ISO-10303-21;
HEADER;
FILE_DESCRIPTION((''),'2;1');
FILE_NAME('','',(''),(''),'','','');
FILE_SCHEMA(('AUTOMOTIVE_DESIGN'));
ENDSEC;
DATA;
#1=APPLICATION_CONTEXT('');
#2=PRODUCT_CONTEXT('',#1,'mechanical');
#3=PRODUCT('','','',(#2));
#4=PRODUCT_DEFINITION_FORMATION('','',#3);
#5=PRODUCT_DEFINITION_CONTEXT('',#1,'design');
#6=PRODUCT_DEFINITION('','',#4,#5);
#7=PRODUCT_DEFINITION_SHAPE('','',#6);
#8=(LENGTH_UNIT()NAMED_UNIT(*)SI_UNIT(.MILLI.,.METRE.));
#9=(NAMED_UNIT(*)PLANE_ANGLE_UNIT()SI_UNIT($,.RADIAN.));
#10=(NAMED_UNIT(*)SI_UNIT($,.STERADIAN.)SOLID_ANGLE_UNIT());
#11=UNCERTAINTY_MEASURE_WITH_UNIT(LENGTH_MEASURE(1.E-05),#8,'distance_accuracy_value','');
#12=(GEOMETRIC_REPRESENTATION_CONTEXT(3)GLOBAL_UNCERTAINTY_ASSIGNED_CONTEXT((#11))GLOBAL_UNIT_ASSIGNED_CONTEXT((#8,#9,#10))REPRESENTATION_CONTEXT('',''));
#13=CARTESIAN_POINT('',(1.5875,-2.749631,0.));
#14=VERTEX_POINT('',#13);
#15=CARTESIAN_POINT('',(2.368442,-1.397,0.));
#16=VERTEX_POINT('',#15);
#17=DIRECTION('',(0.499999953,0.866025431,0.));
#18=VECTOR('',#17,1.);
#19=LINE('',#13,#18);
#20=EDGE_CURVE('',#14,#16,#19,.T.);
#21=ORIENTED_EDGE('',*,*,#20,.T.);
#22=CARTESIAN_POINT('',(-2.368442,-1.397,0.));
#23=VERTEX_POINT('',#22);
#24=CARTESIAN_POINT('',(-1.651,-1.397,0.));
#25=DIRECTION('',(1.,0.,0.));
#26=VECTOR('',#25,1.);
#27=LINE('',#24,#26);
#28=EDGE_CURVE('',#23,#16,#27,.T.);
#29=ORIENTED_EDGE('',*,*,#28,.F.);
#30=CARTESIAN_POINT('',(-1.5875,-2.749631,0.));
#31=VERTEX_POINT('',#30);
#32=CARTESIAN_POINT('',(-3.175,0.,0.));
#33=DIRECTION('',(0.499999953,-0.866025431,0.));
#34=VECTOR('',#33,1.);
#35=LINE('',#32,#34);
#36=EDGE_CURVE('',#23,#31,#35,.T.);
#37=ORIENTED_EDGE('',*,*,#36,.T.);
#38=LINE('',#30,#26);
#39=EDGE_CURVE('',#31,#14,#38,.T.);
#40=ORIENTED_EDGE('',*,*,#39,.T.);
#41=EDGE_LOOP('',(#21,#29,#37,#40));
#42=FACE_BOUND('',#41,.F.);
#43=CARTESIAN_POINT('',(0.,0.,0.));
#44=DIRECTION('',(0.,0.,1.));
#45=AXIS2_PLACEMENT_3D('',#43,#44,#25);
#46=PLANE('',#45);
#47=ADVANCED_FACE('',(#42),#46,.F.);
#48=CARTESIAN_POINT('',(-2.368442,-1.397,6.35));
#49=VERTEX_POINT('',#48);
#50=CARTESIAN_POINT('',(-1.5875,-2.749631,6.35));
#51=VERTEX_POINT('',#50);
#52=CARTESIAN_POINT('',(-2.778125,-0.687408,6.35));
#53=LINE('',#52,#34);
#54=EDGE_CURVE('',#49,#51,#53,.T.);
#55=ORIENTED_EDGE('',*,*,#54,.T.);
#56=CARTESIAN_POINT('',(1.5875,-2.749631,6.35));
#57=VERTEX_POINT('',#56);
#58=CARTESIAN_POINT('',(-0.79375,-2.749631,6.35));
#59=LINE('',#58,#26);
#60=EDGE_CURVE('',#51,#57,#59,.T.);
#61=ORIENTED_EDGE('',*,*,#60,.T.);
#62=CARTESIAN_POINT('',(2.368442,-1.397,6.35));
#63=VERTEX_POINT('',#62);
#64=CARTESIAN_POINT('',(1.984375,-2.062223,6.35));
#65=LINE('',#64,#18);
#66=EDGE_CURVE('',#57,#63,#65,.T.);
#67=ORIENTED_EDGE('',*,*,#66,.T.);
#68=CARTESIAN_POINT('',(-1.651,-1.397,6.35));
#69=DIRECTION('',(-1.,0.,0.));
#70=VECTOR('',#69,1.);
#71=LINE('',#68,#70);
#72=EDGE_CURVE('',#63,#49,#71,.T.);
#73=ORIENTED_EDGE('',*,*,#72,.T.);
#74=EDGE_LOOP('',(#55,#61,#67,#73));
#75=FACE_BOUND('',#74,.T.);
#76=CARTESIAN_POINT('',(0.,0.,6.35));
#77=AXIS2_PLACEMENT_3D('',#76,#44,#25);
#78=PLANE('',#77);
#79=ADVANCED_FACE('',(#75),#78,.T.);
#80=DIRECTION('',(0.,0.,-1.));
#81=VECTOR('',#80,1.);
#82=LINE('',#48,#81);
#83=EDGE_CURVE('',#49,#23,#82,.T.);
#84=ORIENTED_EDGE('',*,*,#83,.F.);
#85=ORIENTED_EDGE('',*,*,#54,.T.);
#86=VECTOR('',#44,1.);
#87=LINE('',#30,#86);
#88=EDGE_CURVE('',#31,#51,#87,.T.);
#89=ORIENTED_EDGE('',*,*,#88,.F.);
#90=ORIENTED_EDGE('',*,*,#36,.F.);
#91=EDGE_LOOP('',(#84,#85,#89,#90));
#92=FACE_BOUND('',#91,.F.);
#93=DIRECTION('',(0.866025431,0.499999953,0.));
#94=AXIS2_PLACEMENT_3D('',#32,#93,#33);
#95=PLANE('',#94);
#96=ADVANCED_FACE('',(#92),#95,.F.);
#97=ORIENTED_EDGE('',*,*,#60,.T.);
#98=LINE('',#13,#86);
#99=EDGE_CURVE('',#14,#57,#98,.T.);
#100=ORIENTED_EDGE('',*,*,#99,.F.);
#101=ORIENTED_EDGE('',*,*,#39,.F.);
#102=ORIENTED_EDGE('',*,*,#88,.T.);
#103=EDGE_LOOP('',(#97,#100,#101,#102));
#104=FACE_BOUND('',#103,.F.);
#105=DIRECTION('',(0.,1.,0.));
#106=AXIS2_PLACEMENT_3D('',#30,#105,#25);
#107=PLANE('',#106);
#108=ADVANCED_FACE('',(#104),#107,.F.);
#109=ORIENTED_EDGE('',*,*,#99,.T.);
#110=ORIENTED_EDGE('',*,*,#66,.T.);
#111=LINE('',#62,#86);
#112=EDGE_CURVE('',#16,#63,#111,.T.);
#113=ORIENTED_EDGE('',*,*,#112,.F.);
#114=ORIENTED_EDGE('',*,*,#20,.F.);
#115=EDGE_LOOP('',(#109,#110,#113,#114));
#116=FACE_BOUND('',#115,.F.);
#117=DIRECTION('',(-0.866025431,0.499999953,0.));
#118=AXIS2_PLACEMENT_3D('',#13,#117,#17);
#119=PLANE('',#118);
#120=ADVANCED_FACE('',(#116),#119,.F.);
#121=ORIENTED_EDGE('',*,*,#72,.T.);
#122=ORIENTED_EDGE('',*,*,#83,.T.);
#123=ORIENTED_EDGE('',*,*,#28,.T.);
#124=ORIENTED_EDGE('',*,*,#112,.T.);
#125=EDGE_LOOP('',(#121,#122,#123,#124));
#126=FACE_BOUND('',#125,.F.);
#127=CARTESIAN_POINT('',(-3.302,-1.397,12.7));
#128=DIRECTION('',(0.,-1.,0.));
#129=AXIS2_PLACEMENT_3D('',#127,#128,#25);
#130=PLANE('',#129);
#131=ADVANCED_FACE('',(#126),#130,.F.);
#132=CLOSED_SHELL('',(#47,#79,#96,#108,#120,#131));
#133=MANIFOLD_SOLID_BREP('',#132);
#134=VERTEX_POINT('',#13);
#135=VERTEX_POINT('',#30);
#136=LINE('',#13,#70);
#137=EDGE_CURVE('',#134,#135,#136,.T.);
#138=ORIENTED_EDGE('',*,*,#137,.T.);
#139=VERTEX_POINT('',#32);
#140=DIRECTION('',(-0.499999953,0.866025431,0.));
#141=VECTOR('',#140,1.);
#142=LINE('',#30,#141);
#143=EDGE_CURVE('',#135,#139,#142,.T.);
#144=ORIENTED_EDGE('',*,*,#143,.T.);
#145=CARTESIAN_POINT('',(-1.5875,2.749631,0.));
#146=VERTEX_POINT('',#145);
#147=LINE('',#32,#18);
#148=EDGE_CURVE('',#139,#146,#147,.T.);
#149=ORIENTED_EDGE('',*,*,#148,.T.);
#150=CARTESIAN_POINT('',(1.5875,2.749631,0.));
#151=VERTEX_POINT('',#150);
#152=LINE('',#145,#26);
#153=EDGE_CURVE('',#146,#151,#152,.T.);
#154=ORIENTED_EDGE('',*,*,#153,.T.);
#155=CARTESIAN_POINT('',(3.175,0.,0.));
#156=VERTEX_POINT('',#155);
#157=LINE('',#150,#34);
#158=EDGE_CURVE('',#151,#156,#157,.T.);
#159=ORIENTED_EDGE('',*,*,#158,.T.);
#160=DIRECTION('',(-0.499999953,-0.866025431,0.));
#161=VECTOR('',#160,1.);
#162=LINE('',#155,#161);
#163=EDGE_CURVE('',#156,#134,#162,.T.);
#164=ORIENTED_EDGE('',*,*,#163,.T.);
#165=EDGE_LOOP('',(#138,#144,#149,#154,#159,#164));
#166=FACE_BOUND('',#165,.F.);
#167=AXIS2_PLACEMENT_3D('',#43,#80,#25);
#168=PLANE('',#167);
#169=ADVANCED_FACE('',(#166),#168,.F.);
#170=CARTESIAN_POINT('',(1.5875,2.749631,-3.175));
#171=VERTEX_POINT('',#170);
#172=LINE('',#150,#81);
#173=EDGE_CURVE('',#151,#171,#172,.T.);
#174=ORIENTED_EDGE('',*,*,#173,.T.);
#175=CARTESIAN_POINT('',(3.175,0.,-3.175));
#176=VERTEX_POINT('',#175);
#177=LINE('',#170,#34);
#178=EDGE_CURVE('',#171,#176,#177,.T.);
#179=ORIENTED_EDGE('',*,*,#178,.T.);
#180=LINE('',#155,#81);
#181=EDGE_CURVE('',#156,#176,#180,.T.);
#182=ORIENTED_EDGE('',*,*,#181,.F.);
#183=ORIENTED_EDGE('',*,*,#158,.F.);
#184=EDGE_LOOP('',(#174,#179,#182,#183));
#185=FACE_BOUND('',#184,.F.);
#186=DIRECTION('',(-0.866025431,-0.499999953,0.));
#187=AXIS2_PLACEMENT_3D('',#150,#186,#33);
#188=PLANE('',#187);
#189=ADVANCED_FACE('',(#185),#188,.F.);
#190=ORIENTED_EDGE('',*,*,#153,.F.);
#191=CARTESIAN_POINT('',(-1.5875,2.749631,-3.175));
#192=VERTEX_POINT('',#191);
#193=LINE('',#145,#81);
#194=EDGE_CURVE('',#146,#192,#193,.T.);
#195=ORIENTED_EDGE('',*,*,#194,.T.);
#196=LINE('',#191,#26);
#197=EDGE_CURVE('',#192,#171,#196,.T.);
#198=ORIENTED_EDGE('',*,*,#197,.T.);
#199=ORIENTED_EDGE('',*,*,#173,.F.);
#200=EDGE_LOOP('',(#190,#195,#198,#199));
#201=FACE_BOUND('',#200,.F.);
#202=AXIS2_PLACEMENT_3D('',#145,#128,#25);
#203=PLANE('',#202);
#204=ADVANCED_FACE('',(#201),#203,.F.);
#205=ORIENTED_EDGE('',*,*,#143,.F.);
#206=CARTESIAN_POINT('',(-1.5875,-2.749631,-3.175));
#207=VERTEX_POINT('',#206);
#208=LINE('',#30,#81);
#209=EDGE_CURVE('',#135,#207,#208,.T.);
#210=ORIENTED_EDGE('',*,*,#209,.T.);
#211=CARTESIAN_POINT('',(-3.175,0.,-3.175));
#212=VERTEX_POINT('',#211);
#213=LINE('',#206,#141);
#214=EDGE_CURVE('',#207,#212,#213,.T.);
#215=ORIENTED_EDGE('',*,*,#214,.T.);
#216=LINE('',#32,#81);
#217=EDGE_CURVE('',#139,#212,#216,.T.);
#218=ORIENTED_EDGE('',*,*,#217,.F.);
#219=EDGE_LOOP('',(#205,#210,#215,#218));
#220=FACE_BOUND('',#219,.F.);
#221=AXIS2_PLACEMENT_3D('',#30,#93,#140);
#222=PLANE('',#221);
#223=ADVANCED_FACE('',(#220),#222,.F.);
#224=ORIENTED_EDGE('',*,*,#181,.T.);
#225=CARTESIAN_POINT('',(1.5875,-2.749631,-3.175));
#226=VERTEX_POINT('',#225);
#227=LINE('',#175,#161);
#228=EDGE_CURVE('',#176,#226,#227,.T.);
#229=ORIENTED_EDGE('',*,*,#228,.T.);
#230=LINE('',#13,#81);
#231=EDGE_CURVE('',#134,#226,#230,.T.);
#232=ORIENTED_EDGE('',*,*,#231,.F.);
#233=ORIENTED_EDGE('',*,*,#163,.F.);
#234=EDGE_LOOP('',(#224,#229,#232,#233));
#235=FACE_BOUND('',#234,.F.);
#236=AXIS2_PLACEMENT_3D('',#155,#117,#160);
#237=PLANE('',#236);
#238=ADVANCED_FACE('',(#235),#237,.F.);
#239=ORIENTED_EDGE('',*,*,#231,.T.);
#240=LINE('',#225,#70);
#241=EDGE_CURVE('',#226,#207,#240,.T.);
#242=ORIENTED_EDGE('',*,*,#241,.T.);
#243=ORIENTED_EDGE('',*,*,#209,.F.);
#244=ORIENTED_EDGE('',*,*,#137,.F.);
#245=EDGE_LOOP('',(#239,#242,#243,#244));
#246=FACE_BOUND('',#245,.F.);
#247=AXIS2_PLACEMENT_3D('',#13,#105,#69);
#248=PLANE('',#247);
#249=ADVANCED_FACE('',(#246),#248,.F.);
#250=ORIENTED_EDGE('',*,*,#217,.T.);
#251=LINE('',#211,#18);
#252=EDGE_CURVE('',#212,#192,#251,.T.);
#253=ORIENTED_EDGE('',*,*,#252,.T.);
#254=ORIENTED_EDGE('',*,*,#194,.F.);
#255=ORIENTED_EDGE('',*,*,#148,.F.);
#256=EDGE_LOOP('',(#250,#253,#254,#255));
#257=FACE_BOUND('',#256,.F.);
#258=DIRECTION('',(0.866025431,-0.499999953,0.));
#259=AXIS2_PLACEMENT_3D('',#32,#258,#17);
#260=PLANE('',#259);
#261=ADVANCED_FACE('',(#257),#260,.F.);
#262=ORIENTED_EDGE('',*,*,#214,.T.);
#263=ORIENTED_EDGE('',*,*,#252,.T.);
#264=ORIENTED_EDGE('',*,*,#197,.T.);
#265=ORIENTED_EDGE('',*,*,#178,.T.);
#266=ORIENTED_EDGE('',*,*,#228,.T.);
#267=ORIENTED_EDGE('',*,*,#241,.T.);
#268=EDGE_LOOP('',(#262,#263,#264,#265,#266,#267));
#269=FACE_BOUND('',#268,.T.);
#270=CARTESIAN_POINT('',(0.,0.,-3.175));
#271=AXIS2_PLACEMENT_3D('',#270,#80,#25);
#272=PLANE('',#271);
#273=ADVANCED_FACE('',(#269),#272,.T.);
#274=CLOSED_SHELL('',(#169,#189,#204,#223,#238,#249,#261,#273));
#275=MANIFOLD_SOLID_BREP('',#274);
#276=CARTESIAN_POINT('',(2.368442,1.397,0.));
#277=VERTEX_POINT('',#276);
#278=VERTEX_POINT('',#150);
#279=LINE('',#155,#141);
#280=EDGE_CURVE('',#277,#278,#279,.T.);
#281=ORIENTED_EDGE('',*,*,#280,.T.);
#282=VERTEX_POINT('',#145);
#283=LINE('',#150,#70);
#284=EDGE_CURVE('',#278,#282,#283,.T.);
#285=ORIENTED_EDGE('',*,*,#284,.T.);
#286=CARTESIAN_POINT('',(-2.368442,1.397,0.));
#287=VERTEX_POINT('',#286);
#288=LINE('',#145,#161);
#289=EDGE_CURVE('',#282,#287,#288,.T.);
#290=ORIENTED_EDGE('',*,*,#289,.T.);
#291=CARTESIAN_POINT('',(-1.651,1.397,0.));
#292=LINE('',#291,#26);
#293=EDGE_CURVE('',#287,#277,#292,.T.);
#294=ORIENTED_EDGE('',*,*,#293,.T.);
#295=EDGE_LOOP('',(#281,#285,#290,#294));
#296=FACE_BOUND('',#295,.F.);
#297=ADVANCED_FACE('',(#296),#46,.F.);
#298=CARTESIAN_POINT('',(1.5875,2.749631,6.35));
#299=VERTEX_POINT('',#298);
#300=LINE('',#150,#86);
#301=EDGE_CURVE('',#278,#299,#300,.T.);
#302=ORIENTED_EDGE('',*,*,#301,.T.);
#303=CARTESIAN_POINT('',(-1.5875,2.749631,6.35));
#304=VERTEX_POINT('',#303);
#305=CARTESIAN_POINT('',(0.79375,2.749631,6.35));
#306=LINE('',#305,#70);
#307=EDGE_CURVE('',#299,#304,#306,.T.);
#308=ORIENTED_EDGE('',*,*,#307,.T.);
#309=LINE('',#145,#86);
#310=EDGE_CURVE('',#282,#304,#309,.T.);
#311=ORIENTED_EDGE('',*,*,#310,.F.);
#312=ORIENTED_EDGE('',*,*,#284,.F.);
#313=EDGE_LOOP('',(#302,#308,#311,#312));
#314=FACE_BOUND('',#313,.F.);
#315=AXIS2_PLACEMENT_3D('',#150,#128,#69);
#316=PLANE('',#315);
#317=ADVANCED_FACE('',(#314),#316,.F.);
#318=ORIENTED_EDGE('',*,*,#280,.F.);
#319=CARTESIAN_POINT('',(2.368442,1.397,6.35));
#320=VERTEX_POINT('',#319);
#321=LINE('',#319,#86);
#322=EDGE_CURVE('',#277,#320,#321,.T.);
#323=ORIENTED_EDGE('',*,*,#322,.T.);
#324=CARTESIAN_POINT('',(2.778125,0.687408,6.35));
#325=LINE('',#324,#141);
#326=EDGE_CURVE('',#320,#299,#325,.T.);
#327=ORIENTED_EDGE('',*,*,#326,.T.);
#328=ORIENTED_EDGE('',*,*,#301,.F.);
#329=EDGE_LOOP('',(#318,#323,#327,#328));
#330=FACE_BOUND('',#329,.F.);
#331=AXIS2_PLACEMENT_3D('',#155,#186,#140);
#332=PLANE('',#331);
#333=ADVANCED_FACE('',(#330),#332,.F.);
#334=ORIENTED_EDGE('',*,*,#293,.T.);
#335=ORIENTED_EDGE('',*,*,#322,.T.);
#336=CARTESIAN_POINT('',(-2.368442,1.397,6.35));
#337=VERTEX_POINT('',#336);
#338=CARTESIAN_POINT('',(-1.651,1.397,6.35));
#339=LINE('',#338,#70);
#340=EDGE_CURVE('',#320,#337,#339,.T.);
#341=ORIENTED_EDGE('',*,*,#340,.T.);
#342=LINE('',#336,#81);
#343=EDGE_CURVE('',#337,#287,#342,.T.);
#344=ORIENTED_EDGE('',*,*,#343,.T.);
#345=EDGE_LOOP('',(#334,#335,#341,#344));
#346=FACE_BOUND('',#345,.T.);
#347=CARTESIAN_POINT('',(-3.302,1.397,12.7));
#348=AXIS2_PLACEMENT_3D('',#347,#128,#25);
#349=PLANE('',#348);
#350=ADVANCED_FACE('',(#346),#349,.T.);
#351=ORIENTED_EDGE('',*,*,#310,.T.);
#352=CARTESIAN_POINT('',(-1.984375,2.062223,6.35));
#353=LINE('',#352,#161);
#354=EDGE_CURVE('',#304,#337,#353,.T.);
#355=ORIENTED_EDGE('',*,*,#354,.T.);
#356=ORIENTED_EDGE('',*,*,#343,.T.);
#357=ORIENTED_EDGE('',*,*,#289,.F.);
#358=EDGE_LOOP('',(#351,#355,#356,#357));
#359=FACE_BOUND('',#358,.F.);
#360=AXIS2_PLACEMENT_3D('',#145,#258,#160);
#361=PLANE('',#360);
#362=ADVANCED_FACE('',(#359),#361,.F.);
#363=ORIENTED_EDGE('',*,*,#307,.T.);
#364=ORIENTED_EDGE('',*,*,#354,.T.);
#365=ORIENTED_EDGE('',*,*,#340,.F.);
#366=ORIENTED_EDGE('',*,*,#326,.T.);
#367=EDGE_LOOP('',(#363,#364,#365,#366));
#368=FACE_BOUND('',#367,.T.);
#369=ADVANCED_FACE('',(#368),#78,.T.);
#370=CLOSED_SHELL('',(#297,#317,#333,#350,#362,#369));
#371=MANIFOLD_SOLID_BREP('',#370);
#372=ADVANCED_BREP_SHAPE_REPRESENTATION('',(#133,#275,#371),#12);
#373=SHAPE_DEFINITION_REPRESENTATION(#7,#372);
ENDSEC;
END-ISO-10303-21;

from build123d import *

# Parameters (mm, degrees)
F1_DEPTH = 12.7
F2_W     = 6.604
F2_H     = 2.794
F3_DEPTH = 12.701
F4_R     = 3.434136
F5_DEPTH = 6.35
F7_DEPTH = 3.175


with BuildPart() as f1:
    # F0 (on Top) → F1 (new body)
    with BuildSketch(Plane.XY):
        Polygon((-1.5875, -2.749631), (1.5875, -2.749631), (3.175, 0), (1.5875, 2.749631), (-1.5875, 2.749631), (-3.175, 0), align=None)
    extrude(amount=F1_DEPTH)

    # F2 (on face) → F3 (cut, through all)
    with BuildSketch(Plane.XY.offset(12.7)):
        Rectangle(F2_W, F2_H)
    extrude(amount=-F3_DEPTH, mode=Mode.SUBTRACT)

    # F4 (on face) → F5 (cut)
    with BuildSketch(Plane.XY.offset(12.7)):
        Circle(F4_R)
    extrude(amount=-F5_DEPTH, mode=Mode.SUBTRACT)


with BuildPart() as f7:
    # F6 (on face) → F7 (new body)
    with BuildSketch(Plane(origin=(0, 0, 0), x_dir=(1, 0, 0), z_dir=(0, 0, -1))):
        Polygon((1.5875, 2.749631), (-1.5875, 2.749631), (-3.175, 0), (-1.5875, -2.749631), (1.5875, -2.749631), (3.175, 0), align=None)
    extrude(amount=F7_DEPTH)


solid = Compound([f1.part, f7.part])
